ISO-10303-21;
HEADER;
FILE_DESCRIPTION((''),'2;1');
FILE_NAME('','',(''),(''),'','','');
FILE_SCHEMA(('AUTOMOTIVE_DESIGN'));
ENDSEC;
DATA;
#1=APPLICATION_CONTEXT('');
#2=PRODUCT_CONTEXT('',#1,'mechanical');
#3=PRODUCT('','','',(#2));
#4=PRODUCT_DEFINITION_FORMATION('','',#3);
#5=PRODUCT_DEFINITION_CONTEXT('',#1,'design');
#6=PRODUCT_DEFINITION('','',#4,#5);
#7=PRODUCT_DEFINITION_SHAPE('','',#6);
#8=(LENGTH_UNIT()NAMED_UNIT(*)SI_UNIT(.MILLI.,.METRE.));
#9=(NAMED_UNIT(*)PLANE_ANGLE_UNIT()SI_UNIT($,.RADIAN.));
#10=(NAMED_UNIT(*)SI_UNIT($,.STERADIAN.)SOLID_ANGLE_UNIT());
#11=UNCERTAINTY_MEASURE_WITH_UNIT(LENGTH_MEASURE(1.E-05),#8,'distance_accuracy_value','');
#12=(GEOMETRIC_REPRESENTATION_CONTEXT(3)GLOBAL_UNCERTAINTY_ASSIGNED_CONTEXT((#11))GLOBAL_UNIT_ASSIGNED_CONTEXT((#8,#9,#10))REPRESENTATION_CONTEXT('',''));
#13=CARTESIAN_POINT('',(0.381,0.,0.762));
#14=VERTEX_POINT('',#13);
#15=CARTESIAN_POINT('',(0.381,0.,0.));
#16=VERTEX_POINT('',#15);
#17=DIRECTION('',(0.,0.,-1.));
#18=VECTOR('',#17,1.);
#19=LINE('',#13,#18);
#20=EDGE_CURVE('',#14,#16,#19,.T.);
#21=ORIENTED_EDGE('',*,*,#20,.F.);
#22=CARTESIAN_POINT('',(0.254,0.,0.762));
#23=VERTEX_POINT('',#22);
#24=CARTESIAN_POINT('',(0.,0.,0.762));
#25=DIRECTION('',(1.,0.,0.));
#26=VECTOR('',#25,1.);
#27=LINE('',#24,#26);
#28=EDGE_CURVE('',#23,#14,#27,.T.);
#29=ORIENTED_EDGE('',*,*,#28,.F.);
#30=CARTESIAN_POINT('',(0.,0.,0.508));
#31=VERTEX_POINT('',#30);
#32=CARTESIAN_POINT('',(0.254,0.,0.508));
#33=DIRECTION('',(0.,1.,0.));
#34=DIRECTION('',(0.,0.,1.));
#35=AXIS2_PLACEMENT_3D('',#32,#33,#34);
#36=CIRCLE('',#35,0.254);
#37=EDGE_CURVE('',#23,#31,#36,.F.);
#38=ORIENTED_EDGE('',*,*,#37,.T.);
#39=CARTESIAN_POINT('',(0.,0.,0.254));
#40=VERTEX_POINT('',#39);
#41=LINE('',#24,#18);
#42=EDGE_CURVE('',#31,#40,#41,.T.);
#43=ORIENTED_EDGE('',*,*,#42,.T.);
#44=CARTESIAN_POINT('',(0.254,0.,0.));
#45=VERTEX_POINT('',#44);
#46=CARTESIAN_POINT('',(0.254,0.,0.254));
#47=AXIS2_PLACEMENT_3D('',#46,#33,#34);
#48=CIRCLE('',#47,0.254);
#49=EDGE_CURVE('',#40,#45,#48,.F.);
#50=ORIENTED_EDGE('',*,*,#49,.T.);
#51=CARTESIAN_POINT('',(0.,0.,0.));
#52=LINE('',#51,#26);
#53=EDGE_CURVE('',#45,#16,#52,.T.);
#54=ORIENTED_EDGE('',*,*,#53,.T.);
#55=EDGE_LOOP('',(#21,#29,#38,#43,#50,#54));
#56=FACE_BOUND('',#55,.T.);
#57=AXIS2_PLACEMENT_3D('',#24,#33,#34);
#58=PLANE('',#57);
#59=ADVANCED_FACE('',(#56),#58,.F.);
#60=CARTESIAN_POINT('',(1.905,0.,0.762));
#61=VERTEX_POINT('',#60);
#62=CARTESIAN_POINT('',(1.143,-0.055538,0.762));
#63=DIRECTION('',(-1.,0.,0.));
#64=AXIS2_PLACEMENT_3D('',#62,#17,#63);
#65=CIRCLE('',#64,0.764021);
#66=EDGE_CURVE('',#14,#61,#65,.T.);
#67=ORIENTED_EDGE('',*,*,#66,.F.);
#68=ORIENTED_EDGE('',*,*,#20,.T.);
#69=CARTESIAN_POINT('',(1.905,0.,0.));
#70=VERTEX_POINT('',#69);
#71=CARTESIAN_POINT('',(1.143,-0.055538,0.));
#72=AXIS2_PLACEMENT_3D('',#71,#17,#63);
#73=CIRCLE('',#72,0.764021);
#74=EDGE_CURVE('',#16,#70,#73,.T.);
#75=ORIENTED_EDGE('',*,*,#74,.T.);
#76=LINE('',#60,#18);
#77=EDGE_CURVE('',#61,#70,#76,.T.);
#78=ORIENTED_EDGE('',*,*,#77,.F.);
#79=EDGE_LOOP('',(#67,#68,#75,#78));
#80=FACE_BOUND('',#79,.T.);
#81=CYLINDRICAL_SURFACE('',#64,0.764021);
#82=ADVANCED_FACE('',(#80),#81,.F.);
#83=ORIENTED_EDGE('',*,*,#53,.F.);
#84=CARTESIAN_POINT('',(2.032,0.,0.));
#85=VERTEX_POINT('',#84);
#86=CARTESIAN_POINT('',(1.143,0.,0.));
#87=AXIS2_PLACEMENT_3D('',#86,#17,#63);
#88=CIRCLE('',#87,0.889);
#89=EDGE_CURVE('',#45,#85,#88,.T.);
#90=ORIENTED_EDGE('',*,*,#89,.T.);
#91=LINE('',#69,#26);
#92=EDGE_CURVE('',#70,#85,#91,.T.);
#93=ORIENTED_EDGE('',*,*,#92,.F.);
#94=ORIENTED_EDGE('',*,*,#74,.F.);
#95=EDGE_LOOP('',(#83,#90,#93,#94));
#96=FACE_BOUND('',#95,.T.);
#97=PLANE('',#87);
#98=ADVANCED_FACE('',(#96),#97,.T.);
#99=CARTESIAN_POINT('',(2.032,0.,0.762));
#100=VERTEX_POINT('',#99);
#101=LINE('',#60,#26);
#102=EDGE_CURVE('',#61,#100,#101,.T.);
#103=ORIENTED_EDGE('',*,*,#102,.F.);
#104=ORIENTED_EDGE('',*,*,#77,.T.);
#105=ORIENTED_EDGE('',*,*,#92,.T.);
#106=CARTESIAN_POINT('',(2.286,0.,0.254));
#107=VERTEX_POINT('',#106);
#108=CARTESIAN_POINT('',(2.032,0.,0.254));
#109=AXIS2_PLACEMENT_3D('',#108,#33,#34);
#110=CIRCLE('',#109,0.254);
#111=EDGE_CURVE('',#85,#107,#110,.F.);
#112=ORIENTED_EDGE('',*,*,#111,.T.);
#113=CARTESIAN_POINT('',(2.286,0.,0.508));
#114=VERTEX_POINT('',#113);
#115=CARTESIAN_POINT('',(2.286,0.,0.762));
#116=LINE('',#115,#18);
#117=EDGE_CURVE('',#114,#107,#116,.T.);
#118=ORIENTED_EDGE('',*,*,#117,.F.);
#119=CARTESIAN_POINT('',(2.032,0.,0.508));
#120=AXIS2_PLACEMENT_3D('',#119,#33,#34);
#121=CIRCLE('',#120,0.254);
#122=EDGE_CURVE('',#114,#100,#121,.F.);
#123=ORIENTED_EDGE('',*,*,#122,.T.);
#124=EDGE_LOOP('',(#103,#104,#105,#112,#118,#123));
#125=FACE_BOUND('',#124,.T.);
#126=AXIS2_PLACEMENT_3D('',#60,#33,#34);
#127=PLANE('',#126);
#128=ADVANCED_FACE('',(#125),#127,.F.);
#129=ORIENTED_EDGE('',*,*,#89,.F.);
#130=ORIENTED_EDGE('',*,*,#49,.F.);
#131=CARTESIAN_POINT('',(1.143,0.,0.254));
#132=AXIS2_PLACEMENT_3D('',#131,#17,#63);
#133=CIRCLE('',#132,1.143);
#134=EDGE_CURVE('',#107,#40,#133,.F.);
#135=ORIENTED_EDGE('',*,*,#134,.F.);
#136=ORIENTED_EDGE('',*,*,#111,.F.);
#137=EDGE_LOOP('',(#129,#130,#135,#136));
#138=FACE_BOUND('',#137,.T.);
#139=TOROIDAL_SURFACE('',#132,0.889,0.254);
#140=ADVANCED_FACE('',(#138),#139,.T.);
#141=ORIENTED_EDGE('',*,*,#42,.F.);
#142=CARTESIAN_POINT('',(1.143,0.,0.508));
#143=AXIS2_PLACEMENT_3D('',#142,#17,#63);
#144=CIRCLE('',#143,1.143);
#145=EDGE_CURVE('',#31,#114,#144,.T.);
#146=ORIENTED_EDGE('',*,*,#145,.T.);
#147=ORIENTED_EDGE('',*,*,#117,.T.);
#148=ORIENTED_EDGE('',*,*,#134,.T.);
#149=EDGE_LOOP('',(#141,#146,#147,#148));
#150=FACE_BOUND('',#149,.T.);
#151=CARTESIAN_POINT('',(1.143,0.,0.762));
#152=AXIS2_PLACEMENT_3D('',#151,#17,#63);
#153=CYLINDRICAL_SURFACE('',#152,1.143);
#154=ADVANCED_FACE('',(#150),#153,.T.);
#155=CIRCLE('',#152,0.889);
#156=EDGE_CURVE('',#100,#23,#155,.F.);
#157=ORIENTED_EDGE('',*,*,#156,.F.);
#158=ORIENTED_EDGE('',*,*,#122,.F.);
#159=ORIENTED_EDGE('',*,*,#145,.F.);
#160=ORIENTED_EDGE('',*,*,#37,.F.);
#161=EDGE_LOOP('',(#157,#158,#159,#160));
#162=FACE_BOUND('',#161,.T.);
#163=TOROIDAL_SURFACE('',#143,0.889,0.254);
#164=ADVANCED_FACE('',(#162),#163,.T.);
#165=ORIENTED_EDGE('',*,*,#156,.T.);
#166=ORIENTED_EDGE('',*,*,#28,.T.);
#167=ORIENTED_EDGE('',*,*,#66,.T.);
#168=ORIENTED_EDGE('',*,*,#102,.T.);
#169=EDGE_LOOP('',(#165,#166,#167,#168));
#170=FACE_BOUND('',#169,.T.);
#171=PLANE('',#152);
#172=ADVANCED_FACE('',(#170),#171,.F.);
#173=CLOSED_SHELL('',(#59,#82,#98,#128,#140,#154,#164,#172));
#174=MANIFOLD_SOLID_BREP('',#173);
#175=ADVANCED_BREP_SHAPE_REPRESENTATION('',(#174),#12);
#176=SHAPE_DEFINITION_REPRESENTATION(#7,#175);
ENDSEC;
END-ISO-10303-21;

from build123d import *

# Parameters (mm, degrees)
BOSS_EXTRUDE1_DEPTH = 0.762
FILLET1_R           = 0.254


with BuildPart() as part:
    # Sketch1 → Boss-Extrude1 (new body)
    with BuildSketch(Plane.XY):
        with BuildLine():
            Line((0, 0), (0.381, 0))
            ThreePointArc((0.381, 0), (1.143, 0.708483622), (1.905, 0))
            Line((1.905, 0), (2.286, 0))
            ThreePointArc((2.286, 0), (1.143, 1.143), (0, 0))
        make_face()
    extrude(amount=BOSS_EXTRUDE1_DEPTH)

    # Fillet1
    fillet1_edges = [part.edges().sort_by_distance(p)[0] for p in [
        (1.143, 1.143, 0.762),
        (1.143, 1.143, 0),
    ]]
    fillet(fillet1_edges, radius=FILLET1_R)


solid = part.part
